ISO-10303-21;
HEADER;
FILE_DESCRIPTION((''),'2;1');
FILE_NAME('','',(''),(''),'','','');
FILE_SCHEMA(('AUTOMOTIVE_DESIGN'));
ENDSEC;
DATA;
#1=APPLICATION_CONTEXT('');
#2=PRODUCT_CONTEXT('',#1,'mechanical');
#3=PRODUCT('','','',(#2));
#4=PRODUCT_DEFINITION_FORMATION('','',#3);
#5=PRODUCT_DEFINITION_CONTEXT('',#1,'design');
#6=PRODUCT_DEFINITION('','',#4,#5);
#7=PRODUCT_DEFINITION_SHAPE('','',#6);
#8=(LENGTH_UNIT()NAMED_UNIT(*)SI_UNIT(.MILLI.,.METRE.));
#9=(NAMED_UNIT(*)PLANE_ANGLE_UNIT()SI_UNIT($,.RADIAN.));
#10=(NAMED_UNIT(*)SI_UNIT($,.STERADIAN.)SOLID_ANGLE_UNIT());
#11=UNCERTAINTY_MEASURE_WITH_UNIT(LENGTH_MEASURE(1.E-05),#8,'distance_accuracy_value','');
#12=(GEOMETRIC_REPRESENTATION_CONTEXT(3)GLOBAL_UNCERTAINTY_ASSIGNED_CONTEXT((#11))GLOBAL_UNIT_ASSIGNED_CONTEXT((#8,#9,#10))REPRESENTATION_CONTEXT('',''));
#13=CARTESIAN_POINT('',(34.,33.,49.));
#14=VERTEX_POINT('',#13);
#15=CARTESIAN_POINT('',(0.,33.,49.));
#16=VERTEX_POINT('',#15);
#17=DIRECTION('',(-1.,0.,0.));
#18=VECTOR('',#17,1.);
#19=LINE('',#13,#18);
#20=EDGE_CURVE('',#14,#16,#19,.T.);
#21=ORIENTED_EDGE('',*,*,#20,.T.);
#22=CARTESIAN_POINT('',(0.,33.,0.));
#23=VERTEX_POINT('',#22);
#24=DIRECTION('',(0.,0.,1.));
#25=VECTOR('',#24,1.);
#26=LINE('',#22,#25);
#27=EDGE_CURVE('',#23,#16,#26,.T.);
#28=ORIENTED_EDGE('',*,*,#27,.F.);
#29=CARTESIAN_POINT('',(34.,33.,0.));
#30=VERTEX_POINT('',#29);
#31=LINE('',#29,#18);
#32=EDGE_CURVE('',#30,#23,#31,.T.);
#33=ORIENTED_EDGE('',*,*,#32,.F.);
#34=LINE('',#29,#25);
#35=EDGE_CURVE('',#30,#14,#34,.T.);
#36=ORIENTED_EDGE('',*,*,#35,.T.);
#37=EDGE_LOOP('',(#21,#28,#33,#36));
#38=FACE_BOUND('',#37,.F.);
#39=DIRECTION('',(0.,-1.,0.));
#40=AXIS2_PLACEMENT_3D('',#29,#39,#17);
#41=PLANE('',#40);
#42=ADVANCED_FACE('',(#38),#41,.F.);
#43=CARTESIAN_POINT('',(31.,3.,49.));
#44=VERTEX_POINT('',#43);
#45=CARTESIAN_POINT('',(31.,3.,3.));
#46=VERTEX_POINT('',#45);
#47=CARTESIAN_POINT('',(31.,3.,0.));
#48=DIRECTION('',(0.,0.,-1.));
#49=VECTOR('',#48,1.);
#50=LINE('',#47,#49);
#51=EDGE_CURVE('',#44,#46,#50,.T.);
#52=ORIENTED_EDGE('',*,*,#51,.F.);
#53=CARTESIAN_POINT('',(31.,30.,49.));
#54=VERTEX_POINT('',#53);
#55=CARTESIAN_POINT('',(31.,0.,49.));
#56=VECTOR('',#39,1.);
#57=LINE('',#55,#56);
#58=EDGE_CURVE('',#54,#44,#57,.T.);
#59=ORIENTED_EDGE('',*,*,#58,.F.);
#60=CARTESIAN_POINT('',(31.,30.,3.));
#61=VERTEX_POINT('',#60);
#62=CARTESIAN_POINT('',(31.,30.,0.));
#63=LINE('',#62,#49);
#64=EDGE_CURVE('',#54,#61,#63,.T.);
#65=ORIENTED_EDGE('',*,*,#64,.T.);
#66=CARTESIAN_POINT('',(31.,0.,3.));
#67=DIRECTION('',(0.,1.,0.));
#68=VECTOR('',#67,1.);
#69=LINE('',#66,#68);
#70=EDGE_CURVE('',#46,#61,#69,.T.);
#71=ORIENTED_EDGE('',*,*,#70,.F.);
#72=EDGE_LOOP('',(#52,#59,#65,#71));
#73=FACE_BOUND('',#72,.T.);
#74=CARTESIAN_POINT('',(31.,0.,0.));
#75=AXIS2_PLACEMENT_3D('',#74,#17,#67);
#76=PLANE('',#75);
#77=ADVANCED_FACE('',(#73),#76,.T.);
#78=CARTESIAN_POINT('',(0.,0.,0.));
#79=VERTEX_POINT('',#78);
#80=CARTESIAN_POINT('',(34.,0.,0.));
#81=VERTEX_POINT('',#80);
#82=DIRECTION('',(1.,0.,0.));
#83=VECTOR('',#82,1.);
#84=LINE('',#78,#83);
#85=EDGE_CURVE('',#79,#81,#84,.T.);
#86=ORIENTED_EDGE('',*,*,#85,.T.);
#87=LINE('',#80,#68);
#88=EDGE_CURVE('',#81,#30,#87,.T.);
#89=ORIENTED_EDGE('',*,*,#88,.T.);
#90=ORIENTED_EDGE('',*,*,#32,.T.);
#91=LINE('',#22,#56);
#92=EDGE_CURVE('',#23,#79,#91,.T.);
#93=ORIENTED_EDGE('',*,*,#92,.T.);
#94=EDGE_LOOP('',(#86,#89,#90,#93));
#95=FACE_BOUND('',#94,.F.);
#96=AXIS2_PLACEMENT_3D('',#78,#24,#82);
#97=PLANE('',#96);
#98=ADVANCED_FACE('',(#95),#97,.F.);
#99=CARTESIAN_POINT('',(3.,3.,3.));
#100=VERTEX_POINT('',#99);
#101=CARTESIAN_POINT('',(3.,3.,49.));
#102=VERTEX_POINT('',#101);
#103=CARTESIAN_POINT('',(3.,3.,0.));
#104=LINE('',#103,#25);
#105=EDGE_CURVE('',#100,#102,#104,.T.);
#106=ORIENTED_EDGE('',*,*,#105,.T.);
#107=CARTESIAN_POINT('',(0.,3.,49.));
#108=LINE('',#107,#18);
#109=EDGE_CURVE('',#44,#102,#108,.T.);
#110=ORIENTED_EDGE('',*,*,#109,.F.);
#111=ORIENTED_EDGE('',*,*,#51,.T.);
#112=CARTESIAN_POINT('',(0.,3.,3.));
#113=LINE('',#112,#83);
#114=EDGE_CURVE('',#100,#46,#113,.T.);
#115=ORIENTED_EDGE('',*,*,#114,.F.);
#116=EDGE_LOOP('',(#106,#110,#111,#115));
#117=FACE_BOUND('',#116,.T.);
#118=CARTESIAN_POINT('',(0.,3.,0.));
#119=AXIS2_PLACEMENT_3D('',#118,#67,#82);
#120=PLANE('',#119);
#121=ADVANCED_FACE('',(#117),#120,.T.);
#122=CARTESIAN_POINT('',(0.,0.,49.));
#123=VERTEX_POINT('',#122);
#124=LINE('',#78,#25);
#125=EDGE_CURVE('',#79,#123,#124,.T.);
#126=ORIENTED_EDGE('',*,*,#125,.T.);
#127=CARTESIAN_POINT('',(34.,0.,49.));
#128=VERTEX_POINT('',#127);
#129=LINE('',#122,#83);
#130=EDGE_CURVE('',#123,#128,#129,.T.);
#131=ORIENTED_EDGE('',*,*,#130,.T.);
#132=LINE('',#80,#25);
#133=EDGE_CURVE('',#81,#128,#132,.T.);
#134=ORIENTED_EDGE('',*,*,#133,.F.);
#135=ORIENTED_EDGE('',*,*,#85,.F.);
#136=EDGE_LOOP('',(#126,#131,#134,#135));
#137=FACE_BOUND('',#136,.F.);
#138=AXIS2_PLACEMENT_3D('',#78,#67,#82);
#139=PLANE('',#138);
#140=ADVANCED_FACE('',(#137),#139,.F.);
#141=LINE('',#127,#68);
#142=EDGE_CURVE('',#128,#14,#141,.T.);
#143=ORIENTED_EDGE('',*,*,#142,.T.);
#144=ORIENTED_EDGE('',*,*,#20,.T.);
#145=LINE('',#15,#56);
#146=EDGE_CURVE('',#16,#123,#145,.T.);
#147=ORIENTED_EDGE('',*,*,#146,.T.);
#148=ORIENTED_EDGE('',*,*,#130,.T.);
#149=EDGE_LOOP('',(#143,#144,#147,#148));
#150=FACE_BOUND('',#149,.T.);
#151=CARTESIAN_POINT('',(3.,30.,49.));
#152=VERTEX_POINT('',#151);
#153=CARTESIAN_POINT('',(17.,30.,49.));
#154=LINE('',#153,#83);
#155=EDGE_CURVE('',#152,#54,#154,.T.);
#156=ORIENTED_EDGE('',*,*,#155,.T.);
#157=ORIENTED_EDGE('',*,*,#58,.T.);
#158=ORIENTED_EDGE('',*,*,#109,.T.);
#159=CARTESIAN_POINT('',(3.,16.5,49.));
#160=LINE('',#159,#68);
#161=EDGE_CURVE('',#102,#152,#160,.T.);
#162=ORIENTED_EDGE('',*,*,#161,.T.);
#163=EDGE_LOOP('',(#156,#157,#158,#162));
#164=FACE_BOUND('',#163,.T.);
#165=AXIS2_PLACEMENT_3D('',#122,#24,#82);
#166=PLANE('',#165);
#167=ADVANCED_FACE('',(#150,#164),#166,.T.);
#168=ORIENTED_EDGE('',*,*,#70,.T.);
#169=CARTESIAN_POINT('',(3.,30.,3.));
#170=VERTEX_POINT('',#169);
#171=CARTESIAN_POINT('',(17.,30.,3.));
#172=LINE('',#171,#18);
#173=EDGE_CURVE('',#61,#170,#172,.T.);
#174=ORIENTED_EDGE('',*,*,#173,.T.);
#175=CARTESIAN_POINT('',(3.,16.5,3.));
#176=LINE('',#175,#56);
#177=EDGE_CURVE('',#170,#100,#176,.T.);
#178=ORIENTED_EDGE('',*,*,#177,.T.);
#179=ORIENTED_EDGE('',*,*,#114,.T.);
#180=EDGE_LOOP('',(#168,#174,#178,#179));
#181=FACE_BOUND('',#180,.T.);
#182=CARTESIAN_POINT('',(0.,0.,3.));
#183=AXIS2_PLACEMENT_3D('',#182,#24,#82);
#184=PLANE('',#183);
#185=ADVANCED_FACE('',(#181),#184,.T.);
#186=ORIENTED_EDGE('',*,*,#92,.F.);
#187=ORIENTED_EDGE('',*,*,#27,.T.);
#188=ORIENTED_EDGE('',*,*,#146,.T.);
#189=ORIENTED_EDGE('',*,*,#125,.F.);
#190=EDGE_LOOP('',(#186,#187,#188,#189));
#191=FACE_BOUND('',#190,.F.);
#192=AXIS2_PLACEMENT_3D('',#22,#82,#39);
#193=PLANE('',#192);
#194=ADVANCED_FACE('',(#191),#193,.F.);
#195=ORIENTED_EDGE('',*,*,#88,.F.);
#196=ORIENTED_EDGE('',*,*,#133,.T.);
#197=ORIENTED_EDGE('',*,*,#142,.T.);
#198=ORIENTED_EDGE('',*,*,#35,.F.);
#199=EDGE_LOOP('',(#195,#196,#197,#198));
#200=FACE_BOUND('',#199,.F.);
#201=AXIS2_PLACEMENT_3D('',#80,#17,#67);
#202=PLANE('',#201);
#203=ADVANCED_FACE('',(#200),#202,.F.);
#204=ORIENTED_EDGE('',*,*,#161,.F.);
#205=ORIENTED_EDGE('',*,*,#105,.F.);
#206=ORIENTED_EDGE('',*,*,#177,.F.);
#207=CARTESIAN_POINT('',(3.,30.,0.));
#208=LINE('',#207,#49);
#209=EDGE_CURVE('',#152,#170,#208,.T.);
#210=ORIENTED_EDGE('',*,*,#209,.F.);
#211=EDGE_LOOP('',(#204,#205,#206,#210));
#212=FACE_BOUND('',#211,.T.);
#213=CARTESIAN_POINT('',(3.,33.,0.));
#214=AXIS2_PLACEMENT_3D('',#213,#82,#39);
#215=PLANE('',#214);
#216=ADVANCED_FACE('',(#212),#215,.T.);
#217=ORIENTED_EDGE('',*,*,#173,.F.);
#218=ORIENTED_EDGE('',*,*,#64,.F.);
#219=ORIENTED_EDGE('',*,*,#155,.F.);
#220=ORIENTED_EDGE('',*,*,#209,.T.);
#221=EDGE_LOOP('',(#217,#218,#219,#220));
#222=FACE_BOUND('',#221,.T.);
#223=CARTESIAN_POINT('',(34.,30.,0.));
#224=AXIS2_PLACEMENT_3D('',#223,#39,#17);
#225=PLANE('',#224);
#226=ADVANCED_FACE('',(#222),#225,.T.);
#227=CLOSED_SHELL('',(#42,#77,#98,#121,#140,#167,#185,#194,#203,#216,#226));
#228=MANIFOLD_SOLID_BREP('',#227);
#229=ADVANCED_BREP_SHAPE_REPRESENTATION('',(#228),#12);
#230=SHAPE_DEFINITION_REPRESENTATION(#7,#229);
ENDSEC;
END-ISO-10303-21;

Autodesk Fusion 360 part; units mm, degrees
sketch "Sketch1" plane through (0, 0, 0) normal (0, 0, 1) x (1, 0, 0)
  line L0 (0, 0) -> (34, 0)
  line L1 (34, 0) -> (34, 33)
  line L2 (34, 33) -> (0, 33)
  line L3 (0, 33) -> (0, 0)
  dimension "d1" = 33
  dimension "d2" = 34
extrude "Extrude1" add sketch "Sketch1" along normal blind 49
shell "Shell1" thickness 3 removed faces 1 at (11.3333, 22, 49)
